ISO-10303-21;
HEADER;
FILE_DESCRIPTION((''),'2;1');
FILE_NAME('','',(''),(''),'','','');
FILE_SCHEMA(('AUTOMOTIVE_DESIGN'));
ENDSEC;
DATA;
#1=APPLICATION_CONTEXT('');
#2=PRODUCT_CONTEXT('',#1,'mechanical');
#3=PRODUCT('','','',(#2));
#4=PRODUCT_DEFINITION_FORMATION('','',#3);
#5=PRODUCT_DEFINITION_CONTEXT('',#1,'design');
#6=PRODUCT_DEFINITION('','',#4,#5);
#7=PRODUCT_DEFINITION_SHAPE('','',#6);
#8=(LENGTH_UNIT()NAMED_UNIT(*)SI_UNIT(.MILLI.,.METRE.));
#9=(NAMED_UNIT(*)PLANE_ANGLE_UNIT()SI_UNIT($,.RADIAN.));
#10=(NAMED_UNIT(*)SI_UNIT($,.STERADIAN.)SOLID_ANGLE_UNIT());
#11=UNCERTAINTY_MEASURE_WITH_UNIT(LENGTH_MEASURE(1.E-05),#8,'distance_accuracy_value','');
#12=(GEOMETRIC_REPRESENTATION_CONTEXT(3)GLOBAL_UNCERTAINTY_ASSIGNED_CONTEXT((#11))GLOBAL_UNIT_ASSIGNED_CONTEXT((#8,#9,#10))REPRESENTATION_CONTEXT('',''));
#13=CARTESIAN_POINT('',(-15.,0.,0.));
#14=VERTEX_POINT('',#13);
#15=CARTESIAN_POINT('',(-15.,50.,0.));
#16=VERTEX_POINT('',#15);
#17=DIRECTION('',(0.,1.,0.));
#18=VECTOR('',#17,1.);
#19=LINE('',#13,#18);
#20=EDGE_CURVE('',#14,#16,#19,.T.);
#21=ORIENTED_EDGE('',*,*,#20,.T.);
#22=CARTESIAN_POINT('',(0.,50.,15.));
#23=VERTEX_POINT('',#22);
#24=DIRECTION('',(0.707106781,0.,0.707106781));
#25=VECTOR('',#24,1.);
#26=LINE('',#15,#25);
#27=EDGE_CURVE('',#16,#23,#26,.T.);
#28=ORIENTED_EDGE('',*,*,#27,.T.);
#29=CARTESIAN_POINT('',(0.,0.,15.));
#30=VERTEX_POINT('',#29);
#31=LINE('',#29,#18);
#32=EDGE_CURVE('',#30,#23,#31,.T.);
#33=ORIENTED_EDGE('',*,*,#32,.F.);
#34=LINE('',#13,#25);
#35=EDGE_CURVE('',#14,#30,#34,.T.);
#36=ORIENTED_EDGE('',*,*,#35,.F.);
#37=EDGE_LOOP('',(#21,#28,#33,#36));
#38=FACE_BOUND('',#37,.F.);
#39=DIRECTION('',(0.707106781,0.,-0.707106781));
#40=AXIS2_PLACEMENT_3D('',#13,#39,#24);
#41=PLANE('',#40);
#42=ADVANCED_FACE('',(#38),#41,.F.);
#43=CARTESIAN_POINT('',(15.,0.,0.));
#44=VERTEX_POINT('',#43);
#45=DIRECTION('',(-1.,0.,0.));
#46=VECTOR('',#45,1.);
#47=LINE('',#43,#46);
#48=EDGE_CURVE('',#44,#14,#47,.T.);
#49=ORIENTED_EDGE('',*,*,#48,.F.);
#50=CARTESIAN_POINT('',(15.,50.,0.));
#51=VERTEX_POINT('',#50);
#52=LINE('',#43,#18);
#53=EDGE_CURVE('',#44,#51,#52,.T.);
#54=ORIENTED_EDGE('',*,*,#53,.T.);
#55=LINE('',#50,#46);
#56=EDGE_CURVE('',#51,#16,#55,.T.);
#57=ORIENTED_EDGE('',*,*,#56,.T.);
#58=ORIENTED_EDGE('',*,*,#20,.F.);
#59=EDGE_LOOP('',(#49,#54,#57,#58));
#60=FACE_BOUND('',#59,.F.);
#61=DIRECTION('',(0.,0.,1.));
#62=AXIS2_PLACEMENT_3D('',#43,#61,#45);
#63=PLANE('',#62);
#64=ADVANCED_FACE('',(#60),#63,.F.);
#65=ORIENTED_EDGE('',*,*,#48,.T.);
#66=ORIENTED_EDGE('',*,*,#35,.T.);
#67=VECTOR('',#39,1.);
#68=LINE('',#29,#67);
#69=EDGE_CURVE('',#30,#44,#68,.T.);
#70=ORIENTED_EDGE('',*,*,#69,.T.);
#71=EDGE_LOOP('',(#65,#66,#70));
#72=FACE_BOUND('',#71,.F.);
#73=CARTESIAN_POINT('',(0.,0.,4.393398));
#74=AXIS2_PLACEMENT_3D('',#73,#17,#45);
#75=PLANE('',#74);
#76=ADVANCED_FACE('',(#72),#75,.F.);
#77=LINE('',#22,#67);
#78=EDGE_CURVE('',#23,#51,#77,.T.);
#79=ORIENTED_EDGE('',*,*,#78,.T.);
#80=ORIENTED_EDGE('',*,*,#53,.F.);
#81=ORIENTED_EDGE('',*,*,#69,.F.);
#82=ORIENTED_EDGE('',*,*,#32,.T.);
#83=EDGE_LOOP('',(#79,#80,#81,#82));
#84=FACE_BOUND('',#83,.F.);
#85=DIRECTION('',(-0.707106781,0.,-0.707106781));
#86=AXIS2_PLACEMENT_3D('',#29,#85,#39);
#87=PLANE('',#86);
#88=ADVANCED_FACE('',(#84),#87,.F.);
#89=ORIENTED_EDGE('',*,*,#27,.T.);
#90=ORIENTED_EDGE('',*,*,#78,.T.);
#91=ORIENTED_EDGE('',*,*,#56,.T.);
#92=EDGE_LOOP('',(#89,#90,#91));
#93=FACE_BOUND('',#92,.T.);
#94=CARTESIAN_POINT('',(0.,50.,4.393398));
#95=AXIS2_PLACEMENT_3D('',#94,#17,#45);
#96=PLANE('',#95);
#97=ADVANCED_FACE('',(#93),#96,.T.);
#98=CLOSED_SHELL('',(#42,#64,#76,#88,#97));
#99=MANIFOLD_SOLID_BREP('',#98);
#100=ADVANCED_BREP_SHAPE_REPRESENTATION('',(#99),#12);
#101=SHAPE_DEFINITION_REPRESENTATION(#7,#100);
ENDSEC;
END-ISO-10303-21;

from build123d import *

# Parameters (mm, degrees)
EXTRUDE_DEPTH = 50


with BuildPart() as part:
    # Sketch → Extrude (new body)
    with BuildSketch(Plane.XZ):
        Polygon((-15, 0), (0, 15), (15, 0), align=None)
    extrude(amount=-EXTRUDE_DEPTH)


solid = part.part
